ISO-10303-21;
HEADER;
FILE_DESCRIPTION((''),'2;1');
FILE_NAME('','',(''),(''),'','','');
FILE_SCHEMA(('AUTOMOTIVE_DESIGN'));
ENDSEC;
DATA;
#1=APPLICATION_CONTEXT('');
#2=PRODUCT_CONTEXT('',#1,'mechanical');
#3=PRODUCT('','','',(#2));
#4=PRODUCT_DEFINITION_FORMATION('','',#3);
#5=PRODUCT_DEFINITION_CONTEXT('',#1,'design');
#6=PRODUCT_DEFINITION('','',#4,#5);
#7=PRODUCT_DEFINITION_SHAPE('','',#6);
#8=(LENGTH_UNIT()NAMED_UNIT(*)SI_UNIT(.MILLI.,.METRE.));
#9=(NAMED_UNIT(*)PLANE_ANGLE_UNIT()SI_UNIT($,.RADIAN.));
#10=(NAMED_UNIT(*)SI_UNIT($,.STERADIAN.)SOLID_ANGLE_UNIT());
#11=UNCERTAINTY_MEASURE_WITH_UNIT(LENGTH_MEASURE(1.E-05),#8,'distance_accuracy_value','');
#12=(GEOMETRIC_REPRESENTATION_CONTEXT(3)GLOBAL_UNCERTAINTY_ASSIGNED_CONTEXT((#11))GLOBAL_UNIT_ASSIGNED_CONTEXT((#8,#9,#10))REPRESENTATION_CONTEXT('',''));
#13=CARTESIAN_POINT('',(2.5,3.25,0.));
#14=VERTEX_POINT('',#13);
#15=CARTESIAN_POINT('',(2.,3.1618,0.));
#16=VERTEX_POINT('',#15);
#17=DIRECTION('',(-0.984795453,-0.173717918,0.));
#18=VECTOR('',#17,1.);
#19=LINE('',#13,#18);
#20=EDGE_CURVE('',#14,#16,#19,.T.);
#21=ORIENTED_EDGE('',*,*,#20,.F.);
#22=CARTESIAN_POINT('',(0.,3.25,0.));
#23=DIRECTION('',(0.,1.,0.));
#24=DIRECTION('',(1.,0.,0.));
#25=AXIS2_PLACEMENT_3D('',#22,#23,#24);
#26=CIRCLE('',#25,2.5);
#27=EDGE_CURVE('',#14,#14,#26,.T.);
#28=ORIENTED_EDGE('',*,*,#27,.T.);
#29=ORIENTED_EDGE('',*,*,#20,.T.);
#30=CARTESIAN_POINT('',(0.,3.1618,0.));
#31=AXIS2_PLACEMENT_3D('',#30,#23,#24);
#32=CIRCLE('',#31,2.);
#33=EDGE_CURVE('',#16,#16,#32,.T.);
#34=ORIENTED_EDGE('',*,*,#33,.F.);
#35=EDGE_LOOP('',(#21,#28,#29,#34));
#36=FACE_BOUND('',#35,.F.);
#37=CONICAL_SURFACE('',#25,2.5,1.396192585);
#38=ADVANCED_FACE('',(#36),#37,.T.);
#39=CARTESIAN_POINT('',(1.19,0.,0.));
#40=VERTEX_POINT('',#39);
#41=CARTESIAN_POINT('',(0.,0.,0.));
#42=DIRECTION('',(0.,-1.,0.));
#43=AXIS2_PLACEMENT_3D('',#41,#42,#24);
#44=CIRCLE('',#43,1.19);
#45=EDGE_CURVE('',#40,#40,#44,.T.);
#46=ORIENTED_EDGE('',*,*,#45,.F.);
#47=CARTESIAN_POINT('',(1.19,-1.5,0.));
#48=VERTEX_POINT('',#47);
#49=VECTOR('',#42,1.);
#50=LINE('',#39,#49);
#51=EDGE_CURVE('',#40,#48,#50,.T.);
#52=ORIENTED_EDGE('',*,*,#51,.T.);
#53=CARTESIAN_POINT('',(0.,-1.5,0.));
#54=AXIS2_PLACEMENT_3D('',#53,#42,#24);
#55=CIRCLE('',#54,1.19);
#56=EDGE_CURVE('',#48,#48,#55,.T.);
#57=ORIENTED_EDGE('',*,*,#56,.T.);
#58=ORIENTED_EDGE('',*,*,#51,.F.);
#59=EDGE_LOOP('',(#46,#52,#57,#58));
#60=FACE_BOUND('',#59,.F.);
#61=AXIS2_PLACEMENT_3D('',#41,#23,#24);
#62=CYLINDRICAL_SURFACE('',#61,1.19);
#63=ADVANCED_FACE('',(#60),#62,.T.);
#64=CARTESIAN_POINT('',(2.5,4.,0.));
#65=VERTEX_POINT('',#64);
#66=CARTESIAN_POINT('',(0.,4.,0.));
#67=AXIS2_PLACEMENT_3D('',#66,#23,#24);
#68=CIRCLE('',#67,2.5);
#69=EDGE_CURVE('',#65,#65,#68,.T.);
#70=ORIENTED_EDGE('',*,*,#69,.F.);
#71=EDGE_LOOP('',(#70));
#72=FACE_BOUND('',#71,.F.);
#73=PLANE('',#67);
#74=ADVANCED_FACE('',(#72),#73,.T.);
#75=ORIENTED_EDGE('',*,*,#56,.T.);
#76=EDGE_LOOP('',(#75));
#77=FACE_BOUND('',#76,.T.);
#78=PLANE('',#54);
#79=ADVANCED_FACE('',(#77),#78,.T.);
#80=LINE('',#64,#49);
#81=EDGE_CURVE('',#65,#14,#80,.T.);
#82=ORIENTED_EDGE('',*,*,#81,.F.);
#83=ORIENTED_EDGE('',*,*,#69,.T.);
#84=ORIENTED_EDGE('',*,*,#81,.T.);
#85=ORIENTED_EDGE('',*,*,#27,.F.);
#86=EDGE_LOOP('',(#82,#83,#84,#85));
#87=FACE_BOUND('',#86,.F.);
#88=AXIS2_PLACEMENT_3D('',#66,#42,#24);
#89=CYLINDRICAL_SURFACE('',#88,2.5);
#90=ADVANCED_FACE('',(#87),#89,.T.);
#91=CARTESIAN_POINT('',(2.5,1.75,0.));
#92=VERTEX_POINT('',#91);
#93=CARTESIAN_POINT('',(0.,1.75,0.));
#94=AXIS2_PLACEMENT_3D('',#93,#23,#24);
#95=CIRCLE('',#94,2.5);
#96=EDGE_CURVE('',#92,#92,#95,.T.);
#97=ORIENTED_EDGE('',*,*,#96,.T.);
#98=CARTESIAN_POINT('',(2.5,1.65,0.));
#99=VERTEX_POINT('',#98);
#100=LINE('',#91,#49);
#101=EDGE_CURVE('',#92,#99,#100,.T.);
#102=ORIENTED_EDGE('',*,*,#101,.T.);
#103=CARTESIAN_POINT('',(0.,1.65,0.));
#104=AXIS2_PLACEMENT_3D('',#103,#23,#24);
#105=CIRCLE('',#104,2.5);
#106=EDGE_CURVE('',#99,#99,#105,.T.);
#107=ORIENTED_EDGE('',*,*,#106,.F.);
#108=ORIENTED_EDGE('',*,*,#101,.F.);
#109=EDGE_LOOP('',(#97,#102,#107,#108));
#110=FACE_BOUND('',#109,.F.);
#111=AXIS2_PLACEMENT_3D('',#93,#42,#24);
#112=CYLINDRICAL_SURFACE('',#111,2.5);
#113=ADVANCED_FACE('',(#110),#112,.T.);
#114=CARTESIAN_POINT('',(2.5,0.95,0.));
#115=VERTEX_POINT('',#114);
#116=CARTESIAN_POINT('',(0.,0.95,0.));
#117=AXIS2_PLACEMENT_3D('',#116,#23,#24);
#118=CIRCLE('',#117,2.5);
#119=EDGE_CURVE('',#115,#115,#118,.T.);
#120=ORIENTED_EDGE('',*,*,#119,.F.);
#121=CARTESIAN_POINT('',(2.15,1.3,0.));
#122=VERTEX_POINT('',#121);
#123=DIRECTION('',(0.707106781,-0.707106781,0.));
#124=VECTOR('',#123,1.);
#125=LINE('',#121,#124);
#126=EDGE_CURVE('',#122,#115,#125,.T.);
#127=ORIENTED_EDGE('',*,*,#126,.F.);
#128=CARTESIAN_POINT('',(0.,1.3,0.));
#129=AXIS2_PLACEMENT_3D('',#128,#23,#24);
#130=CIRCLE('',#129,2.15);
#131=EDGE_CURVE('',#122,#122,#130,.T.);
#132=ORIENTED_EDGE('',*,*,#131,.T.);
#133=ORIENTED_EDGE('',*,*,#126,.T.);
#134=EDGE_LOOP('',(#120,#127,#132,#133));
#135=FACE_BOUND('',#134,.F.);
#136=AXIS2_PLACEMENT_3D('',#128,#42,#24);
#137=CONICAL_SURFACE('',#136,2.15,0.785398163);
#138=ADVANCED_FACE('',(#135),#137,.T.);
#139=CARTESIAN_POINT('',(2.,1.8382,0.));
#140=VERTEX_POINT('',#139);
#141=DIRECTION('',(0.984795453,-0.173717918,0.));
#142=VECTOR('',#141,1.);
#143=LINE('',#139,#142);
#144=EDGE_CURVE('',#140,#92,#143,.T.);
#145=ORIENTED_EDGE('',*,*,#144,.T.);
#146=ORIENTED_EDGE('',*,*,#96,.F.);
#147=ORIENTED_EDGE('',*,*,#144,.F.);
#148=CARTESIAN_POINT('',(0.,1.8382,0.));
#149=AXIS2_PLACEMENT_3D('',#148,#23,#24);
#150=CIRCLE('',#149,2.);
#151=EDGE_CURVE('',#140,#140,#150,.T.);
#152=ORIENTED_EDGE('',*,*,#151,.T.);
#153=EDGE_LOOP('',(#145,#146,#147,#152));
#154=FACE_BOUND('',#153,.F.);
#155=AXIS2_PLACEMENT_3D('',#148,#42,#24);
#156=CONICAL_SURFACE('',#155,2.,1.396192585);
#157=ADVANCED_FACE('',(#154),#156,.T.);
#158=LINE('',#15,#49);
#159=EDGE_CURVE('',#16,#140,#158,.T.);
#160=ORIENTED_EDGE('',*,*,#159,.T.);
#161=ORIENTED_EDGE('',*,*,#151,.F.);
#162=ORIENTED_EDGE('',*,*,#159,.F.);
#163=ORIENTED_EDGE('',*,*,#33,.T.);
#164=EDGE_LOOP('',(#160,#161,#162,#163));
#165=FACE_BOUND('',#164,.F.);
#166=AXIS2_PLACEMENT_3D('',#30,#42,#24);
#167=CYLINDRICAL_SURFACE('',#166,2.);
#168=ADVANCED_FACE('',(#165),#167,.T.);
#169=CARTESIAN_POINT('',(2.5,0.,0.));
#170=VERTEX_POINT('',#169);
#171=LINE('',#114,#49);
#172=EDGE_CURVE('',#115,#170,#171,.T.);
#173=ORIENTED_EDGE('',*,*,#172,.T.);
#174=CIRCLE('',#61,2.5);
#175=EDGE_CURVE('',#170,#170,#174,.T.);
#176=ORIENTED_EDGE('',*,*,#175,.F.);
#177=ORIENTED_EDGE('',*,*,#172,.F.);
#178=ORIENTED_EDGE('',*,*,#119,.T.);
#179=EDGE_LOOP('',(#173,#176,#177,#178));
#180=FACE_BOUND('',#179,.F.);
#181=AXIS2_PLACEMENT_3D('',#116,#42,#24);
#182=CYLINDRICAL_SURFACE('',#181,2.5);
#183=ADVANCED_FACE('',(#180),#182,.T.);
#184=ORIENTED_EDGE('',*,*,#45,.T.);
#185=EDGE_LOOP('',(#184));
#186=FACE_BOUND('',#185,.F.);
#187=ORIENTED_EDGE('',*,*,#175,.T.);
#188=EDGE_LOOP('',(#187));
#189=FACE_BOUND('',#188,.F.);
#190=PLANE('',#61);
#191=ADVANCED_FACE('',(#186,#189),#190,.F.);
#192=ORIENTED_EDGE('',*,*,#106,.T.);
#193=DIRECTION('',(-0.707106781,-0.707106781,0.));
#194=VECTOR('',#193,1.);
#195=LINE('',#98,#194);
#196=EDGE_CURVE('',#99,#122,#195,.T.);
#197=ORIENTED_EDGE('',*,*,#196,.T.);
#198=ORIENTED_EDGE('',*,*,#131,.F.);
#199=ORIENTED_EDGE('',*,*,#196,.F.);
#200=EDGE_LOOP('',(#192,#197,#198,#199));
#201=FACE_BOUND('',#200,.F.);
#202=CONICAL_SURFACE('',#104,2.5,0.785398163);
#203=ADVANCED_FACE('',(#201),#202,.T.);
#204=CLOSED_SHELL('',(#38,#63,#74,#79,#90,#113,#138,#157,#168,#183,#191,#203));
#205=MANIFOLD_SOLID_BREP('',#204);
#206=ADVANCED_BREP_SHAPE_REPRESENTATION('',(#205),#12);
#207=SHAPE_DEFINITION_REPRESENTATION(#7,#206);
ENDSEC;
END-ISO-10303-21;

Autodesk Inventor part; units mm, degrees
ref_plane "YZ Plane" through (0, 0, 0) normal (1, 0, 0) x (0, 1, 0)
ref_plane "XZ Plane" through (0, 0, 0) normal (0, 1, 0) x (-1, 0, 0)
ref_plane "XY Plane" through (0, 0, 0) normal (0, 0, 1) x (1, 0, 0)
sketch "Sketch1" plane through (0, 0, 0) normal (0, 0, 1) x (1, 0, 0)
  line L0 (0, 0) -> (0, 17.163)
  line L1 (2.5, 4) -> (2.5, 3.25)
  line L2 (2.5, 0) -> (0, 0)
  line L3 (2.5, 3.25) -> (2, 3.1618)
  line L4 (2, 3.1618) -> (2, 1.8382)
  line L5 (2, 1.8382) -> (2.5, 1.75)
  line L6 (0, 0) -> (0, 4)
  line L7 (0, 4) -> (2.5, 4)
  line L8 (2.5, 1.65) -> (2.15, 1.3)
  line L9 (2.15, 1.3) -> (2.5, 0.95)
  line L10 (2.5, 1.75) -> (2.5, 1.65)
  line L11 (2.5, 0.95) -> (2.5, 0)
  dimension "d2" = 5
  dimension "d17" = 0.75
  dimension "d18" = 1.75
  dimension "d19" = 100
  dimension "d20" = 100
  dimension "d24" = 1.3237
  dimension "d39" = 135
  dimension "d40" = 135
  dimension "d41" = 0.35
  dimension "d42" = 1.3
revolve "Revolution1" add sketch "Sketch1" angle 360 about axis through (0, 0, 0) along (0, 1, 0)
hole "Hole1" [suppressed]
sketch "Sketch2" plane through (0, 0, 0) normal (0, -1, 0) x (1, 0, 0)
  circle A0 centre (0, 0) radius 1.19
  dimension "d36" = 2.38
extrude "Extrusion1" add sketch "Sketch2" along normal blind 1.5
properties part number "FOX-ME-126-07" material "G10"
